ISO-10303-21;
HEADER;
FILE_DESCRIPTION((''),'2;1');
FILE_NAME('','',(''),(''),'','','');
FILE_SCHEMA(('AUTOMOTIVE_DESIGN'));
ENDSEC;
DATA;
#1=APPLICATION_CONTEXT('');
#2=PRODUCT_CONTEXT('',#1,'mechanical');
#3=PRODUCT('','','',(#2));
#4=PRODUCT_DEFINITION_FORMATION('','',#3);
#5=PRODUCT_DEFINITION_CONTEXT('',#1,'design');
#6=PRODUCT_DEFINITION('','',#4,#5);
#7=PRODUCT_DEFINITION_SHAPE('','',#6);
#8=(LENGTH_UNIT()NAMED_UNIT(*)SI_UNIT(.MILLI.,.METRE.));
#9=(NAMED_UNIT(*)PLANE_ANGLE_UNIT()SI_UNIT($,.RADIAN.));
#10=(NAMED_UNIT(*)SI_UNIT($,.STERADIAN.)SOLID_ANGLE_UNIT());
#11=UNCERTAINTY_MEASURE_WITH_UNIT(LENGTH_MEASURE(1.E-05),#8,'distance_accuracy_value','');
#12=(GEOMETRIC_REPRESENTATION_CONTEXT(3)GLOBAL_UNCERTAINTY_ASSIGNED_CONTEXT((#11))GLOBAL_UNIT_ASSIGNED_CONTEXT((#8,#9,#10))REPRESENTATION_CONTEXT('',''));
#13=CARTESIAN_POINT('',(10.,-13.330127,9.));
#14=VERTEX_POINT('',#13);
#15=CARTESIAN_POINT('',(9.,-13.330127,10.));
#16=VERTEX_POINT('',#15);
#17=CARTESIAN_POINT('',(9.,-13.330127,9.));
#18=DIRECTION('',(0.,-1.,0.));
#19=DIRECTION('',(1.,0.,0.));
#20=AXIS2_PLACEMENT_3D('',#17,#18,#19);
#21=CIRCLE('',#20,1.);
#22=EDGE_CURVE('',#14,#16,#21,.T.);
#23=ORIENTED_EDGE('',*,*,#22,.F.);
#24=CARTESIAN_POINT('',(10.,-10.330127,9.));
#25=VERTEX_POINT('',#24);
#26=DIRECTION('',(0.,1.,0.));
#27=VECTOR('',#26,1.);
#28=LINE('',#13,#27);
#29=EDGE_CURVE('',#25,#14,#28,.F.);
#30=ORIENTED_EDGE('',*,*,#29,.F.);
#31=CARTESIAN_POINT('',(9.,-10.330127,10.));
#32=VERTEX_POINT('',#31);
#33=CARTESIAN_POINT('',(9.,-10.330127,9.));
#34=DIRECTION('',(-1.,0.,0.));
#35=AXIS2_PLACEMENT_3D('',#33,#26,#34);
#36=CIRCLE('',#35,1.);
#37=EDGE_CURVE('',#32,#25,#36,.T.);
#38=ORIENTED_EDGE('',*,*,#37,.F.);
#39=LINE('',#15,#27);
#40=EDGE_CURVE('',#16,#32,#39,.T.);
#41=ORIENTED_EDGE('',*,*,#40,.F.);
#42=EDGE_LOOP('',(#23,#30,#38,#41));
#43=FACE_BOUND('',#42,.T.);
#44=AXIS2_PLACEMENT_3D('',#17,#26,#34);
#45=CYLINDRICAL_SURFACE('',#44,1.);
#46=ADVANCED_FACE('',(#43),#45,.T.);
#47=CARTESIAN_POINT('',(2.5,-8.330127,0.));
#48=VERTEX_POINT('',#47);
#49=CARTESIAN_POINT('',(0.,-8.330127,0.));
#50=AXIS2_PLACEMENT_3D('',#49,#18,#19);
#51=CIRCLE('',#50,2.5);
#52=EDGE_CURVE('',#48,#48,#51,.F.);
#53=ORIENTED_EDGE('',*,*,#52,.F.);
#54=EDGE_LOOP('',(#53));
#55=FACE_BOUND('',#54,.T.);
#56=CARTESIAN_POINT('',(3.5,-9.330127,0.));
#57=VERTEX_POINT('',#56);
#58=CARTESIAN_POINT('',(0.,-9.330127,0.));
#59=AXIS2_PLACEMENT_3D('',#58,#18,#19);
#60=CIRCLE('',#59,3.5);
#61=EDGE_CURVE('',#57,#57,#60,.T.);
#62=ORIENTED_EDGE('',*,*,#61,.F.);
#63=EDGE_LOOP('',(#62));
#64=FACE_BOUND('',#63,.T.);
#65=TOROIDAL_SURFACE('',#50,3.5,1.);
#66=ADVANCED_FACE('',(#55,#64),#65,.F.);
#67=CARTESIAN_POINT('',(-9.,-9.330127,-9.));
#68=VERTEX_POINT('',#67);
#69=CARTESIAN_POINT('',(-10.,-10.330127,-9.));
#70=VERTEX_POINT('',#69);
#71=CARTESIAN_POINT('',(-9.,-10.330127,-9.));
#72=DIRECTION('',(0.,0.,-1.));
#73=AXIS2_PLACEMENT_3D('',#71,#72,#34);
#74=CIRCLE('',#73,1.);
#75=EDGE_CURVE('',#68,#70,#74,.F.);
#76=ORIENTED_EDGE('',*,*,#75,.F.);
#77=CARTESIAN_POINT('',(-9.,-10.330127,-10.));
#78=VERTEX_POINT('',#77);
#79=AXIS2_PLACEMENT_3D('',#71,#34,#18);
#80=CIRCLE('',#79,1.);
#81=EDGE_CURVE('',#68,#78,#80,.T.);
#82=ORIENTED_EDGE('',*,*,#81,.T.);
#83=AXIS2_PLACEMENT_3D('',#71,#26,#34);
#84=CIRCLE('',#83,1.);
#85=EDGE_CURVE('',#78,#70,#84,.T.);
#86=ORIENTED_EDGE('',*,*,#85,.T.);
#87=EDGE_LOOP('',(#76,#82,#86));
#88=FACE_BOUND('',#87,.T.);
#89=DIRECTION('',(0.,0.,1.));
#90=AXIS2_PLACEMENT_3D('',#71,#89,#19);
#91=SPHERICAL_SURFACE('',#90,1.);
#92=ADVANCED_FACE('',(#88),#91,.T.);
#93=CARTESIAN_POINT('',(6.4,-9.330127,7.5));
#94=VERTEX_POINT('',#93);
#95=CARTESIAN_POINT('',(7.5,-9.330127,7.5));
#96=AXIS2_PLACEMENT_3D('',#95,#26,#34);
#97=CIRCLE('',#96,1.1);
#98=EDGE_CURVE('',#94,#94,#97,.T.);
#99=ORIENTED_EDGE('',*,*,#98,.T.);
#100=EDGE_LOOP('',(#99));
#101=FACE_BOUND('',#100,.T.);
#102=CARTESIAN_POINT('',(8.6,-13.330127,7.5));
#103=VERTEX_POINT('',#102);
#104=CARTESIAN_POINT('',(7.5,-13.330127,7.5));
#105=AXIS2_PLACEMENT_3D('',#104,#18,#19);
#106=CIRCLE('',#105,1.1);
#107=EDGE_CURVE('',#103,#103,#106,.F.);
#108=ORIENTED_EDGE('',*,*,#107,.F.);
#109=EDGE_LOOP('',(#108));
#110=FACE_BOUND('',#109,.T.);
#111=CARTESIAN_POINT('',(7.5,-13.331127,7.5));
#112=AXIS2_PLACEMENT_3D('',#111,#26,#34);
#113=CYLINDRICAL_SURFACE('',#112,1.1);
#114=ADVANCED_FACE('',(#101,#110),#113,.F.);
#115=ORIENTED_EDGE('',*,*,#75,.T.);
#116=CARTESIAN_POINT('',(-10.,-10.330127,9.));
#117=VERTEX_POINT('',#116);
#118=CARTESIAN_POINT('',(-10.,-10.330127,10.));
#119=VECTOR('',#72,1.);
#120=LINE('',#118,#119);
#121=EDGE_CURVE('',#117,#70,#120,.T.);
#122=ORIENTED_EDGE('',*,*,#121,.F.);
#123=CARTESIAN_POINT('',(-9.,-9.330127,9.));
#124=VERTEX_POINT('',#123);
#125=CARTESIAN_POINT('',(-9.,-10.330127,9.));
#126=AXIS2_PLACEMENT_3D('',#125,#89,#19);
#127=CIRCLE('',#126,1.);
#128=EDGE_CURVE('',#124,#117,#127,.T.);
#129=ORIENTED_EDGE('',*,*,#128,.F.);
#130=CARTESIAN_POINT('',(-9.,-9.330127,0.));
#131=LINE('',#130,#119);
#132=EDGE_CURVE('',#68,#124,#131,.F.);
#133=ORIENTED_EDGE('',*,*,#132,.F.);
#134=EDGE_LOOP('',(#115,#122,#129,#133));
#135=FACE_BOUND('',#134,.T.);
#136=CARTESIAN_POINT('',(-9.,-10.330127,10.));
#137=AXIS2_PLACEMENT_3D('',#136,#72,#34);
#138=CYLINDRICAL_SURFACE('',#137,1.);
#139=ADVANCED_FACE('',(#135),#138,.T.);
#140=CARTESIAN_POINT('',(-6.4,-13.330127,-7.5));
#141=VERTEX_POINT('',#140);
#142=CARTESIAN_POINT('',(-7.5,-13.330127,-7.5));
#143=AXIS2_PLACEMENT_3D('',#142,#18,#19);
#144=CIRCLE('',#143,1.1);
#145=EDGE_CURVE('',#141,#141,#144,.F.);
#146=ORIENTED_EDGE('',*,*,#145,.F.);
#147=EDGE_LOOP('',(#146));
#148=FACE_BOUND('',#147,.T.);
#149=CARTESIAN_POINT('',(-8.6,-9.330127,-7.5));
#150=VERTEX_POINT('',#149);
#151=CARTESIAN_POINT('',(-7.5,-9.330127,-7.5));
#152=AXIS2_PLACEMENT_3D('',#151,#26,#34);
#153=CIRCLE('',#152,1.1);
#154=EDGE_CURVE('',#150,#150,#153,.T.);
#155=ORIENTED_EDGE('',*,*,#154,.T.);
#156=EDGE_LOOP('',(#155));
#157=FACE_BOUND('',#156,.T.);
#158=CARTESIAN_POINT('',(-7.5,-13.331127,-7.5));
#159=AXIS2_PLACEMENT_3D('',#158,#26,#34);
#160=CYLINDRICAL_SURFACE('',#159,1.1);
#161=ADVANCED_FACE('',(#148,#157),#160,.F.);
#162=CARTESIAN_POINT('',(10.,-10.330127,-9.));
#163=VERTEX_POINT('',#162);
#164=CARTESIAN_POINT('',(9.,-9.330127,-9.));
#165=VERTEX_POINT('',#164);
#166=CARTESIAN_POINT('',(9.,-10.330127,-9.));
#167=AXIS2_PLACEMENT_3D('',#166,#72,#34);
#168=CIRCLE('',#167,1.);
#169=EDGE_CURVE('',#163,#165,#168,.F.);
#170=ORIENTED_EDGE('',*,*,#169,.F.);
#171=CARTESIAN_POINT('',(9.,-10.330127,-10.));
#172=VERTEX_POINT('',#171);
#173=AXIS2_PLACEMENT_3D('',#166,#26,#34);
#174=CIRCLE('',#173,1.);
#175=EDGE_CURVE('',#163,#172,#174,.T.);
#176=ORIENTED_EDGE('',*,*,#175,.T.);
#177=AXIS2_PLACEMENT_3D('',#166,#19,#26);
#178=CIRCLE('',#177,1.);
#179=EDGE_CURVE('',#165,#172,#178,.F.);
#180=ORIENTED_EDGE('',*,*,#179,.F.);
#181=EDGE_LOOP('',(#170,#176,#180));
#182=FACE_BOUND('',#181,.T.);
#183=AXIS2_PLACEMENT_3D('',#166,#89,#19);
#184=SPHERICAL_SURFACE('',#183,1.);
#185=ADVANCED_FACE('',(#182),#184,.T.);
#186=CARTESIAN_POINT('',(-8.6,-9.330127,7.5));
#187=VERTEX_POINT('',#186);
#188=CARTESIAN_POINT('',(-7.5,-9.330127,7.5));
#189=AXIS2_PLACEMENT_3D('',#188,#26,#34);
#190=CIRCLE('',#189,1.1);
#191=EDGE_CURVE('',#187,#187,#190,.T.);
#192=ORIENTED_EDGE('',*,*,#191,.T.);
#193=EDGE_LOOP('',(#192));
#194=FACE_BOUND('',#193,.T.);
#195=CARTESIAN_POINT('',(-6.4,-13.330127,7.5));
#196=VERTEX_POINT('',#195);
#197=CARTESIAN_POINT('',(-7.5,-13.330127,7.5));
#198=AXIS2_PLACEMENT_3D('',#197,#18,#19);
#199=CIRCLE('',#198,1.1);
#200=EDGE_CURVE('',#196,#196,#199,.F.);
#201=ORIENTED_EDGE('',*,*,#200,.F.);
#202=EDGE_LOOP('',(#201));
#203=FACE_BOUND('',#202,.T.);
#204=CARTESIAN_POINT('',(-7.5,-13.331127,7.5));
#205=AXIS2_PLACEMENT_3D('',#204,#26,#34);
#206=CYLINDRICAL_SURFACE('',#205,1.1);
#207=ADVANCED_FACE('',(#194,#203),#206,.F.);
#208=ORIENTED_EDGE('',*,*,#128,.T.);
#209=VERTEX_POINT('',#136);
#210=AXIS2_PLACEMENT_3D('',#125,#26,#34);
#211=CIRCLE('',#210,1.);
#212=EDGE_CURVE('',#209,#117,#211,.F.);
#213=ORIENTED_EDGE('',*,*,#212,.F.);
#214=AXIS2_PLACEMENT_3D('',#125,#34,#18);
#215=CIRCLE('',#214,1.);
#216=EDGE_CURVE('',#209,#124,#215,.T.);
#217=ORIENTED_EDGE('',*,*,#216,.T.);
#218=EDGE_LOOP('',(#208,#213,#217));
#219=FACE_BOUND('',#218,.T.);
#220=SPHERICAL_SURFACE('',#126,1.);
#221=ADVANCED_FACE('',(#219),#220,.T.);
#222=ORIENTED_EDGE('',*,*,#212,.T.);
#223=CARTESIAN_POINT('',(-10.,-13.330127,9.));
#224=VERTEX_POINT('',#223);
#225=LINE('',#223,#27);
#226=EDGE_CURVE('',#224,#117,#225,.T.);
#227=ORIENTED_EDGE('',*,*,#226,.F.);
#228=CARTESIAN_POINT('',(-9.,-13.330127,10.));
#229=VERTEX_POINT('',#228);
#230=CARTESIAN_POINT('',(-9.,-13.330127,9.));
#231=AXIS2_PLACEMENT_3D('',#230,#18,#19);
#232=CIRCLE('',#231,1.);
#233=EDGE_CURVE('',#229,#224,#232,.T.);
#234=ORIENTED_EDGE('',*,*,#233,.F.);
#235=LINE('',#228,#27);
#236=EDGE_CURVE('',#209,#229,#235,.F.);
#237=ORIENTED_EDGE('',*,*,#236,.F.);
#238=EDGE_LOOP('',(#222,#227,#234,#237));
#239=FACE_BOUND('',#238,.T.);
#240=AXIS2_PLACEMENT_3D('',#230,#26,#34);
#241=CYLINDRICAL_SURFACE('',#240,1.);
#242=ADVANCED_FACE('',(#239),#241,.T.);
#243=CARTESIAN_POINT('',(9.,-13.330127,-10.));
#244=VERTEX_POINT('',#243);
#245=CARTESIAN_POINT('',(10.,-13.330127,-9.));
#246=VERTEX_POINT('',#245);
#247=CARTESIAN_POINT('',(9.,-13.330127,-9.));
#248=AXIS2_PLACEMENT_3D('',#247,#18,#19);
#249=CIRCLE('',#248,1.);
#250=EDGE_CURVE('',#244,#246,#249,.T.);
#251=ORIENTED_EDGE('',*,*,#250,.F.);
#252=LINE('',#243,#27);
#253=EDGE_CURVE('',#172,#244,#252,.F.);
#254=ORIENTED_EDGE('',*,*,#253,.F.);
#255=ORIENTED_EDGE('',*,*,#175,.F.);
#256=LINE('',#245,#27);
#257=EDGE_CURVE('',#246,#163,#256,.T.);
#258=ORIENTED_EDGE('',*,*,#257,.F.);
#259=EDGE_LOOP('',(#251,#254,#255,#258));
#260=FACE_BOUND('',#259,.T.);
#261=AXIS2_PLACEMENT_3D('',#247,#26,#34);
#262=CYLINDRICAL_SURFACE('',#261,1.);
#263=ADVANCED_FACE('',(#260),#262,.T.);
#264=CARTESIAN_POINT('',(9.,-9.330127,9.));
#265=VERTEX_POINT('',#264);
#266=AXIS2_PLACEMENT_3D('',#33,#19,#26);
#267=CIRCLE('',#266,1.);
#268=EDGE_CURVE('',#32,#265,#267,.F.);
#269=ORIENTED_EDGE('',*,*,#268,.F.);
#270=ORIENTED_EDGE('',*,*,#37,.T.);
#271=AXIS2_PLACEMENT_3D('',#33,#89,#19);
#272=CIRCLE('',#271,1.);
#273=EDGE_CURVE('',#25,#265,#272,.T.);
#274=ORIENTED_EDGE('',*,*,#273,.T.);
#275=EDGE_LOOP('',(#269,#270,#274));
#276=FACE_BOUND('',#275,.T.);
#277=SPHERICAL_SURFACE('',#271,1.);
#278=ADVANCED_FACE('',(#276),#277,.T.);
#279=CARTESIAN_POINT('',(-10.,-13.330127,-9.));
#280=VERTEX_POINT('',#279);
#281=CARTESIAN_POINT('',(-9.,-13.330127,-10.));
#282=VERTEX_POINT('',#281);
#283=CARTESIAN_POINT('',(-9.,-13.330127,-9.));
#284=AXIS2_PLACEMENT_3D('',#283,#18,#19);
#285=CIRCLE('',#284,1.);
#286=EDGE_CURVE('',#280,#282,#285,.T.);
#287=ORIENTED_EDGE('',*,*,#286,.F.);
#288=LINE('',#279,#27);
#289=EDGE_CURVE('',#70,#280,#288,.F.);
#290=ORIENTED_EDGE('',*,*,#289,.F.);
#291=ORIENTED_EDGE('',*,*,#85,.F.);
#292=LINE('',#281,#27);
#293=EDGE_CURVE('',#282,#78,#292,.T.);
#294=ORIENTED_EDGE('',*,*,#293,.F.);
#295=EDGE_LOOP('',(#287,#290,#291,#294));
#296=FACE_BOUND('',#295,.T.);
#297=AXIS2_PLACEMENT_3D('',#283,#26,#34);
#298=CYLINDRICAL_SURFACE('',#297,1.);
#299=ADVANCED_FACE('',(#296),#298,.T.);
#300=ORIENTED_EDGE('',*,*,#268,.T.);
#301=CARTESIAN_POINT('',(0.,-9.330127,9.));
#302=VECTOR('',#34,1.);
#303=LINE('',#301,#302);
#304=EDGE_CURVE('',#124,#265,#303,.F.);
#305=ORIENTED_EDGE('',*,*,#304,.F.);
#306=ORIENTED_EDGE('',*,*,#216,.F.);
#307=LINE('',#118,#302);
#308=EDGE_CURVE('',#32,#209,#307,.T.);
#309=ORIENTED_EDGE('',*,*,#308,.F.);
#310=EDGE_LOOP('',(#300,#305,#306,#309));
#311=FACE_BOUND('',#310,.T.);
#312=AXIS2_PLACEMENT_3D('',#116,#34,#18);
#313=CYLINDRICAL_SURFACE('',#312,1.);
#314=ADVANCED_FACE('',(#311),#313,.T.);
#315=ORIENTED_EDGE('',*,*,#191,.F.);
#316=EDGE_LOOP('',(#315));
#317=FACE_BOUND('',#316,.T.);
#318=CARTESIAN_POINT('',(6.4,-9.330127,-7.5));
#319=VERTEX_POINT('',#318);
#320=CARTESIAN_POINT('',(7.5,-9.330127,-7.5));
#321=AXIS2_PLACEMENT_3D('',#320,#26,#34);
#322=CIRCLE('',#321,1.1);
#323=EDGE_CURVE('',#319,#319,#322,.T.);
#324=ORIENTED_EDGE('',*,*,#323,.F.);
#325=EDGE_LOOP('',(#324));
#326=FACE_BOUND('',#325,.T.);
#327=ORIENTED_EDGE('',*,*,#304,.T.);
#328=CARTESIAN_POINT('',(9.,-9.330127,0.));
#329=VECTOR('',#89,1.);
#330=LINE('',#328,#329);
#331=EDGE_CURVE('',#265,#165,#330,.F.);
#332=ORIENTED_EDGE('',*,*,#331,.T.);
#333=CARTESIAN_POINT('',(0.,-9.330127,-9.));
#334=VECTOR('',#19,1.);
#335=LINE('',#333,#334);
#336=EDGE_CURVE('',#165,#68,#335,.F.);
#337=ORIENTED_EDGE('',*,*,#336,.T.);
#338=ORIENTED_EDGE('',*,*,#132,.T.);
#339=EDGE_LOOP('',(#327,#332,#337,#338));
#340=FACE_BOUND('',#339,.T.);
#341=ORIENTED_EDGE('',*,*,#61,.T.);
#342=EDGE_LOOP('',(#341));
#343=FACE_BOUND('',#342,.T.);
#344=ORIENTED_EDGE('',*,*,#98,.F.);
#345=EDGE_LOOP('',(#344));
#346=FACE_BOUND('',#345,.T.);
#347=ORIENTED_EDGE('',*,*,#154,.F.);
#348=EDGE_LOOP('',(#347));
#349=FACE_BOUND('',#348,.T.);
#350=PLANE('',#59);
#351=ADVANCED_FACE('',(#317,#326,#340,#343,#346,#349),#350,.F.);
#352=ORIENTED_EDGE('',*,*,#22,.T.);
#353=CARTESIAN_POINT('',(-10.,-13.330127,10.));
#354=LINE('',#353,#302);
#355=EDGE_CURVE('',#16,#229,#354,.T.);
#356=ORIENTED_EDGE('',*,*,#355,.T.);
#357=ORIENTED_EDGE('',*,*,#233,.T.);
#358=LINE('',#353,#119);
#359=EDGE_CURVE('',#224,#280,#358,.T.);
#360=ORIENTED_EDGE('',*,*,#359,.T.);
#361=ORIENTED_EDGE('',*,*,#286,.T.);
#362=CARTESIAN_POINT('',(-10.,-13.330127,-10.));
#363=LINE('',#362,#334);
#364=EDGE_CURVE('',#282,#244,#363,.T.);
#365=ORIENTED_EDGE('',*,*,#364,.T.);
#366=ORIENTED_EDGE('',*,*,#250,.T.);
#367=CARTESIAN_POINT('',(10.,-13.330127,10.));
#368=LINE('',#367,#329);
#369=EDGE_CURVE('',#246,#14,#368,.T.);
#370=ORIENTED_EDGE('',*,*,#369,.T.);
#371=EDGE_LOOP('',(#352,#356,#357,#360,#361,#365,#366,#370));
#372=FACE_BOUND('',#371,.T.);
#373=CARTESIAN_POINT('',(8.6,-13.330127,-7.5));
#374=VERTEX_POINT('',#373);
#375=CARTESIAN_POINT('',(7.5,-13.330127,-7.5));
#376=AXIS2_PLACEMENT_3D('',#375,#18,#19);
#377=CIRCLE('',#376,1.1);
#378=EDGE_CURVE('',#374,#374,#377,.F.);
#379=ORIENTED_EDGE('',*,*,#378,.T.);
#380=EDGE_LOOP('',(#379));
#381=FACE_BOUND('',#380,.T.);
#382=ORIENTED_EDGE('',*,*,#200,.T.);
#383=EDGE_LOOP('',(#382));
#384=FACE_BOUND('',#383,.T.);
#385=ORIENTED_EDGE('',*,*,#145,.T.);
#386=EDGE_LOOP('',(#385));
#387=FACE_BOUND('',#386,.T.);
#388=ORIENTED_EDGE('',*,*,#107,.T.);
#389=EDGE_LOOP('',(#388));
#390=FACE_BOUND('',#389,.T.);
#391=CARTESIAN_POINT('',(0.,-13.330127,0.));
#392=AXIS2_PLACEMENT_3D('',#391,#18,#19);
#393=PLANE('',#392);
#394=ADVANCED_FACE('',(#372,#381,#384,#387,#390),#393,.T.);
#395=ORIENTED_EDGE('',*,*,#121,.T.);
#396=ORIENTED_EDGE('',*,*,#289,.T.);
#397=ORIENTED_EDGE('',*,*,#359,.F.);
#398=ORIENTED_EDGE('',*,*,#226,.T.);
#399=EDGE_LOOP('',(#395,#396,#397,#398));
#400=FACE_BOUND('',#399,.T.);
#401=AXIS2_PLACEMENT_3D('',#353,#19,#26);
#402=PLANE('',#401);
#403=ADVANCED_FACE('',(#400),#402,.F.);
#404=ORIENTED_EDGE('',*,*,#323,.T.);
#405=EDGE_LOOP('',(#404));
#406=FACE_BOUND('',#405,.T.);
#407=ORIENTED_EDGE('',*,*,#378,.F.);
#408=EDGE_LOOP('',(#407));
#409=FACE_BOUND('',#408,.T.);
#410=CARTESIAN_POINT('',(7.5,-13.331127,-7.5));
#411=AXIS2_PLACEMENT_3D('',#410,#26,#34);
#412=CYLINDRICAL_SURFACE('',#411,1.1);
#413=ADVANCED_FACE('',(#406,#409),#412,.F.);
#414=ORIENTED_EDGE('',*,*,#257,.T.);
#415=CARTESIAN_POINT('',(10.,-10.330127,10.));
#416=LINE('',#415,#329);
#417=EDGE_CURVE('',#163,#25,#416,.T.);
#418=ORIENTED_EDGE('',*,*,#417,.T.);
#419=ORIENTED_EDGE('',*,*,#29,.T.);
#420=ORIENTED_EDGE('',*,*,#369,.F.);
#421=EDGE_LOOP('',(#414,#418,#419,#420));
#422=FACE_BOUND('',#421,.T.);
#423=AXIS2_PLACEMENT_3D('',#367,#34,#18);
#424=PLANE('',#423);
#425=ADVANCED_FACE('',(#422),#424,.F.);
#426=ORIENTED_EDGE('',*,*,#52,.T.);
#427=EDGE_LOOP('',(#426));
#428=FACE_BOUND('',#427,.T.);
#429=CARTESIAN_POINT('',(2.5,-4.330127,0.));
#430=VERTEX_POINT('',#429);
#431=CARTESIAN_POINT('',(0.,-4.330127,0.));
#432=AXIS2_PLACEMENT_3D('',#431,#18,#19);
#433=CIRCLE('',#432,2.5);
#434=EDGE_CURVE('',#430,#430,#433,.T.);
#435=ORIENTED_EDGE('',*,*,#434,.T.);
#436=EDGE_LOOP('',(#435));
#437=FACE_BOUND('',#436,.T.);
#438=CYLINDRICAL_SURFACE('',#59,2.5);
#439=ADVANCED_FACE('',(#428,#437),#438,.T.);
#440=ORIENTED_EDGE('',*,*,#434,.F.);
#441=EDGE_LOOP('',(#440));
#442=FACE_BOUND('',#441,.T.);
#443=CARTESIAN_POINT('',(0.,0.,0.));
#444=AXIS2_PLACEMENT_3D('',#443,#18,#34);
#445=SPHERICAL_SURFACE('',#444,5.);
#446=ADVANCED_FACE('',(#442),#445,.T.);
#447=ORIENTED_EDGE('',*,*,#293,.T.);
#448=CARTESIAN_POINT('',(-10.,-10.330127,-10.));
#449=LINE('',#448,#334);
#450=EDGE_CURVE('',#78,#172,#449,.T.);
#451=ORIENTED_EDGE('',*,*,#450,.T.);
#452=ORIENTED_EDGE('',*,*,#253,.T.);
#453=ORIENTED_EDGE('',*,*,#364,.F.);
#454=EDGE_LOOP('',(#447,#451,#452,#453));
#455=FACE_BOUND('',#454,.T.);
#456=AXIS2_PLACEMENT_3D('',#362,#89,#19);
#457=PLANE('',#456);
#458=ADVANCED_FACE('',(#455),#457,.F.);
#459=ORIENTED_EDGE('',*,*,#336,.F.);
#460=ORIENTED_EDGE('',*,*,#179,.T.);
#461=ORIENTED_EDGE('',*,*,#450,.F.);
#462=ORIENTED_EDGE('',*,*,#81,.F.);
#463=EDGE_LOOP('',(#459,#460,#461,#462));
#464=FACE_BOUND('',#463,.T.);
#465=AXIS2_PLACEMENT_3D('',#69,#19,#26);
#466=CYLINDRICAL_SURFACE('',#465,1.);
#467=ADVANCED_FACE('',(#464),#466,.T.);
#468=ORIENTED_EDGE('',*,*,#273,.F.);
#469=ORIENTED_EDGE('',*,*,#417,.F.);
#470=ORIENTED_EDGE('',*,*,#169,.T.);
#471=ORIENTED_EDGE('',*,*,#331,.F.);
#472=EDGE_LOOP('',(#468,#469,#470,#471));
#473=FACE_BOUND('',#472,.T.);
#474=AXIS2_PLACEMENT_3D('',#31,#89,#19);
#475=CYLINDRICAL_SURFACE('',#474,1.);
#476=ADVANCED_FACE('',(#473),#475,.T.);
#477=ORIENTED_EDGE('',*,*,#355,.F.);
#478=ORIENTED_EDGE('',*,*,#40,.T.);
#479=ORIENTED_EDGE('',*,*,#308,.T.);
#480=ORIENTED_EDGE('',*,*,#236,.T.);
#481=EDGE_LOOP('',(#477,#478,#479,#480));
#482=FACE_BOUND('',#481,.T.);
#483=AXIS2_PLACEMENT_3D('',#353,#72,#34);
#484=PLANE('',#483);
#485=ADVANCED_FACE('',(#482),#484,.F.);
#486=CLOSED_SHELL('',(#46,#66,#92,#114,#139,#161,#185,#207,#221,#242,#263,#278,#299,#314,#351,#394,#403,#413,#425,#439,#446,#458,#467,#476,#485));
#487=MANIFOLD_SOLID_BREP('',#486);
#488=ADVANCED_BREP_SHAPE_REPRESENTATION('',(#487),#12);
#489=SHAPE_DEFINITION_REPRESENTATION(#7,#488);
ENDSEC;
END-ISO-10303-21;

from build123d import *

# Parameters (mm, degrees)
ESQUISSE2_W             = 20
ESQUISSE2_H             = 20
BOSS_EXTRU_1_DEPTH      = 4
ENL_V_MAT_EXTRU_1_REACH = 6
ESQUISSE3_R             = 1.1
CONG_1_R                = 1


with BuildPart() as part:
    # Esquisse1 → Révolution1 (revolve)
    with BuildSketch(Plane.XY):
        with BuildLine():
            Line((-2.5, -4.330127019), (-2.5, -9.330127019))
            Line((-2.5, -9.330127019), (0, -9.330127019))
            Line((0, -9.330127019), (0, 5))
            ThreePointArc((0, 5), (-4.829629131, 1.294095226), (-2.5, -4.330127019))
        make_face()
    revolve(axis=Axis((0, -9.330127019, 0), (0, 1, 0)))

    # Esquisse2 → Boss.-Extru.1 (add)
    with BuildSketch(Plane.XZ.offset(9.330127019)):
        Rectangle(ESQUISSE2_W, ESQUISSE2_H)
    extrude(amount=BOSS_EXTRU_1_DEPTH)

    # Esquisse3 → Enlèv. mat.-Extru.1 (cut, up to next)
    with BuildSketch(Plane(origin=(0, -9.330127019, 0), x_dir=(1, 0, 0), z_dir=(0, 1, 0)), mode=Mode.PRIVATE) as enl_v_mat_extru_1_sk1:
        with Locations(Location((7.5, -7.5, 0), (0, 0, 180))):  # turned: the seam where the file's is
            Circle(ESQUISSE3_R)
    enl_v_mat_extru_1_tool1 = extrude(enl_v_mat_extru_1_sk1.sketch, amount=-ENL_V_MAT_EXTRU_1_REACH, mode=Mode.PRIVATE) & part.part
    add(enl_v_mat_extru_1_tool1.solids().sort_by_distance((7.5, -9.330127, 7.5))[0], mode=Mode.SUBTRACT)
    # Esquisse3 → Enlèv. mat.-Extru.1 (cut, up to next)
    with BuildSketch(Plane(origin=(0, -9.330127019, 0), x_dir=(1, 0, 0), z_dir=(0, 1, 0)), mode=Mode.PRIVATE) as enl_v_mat_extru_1_sk2:
        with Locations(Location((7.5, 7.5, 0), (0, 0, 180))):  # turned: the seam where the file's is
            Circle(ESQUISSE3_R)
    enl_v_mat_extru_1_tool2 = extrude(enl_v_mat_extru_1_sk2.sketch, amount=-ENL_V_MAT_EXTRU_1_REACH, mode=Mode.PRIVATE) & part.part
    add(enl_v_mat_extru_1_tool2.solids().sort_by_distance((7.5, -9.330127, -7.5))[0], mode=Mode.SUBTRACT)
    # Esquisse3 → Enlèv. mat.-Extru.1 (cut, up to next)
    with BuildSketch(Plane(origin=(0, -9.330127019, 0), x_dir=(1, 0, 0), z_dir=(0, 1, 0)), mode=Mode.PRIVATE) as enl_v_mat_extru_1_sk3:
        with Locations(Location((-7.5, 7.5, 0), (0, 0, 180))):  # turned: the seam where the file's is
            Circle(ESQUISSE3_R)
    enl_v_mat_extru_1_tool3 = extrude(enl_v_mat_extru_1_sk3.sketch, amount=-ENL_V_MAT_EXTRU_1_REACH, mode=Mode.PRIVATE) & part.part
    add(enl_v_mat_extru_1_tool3.solids().sort_by_distance((-7.5, -9.330127, -7.5))[0], mode=Mode.SUBTRACT)
    # Esquisse3 → Enlèv. mat.-Extru.1 (cut, up to next)
    with BuildSketch(Plane(origin=(0, -9.330127019, 0), x_dir=(1, 0, 0), z_dir=(0, 1, 0)), mode=Mode.PRIVATE) as enl_v_mat_extru_1_sk4:
        with Locations(Location((-7.5, -7.5, 0), (0, 0, 180))):  # turned: the seam where the file's is
            Circle(ESQUISSE3_R)
    enl_v_mat_extru_1_tool4 = extrude(enl_v_mat_extru_1_sk4.sketch, amount=-ENL_V_MAT_EXTRU_1_REACH, mode=Mode.PRIVATE) & part.part
    add(enl_v_mat_extru_1_tool4.solids().sort_by_distance((-7.5, -9.330127, 7.5))[0], mode=Mode.SUBTRACT)

    # Congé1
    cong_1_edges = [part.edges().sort_by_distance(p)[0] for p in [
        (-10, -11.330127019, -10),
        (10, -9.330127019, 0),
        (10, -11.330127019, -10),
        (0, -9.330127019, 10),
        (10, -11.330127019, 10),
        (2.5, -9.330127019, 0),
        (-10, -9.330127019, 0),
        (-10, -11.330127019, 10),
        (0, -9.330127019, -10),
    ]]
    fillet(cong_1_edges, radius=CONG_1_R)


solid = part.part
